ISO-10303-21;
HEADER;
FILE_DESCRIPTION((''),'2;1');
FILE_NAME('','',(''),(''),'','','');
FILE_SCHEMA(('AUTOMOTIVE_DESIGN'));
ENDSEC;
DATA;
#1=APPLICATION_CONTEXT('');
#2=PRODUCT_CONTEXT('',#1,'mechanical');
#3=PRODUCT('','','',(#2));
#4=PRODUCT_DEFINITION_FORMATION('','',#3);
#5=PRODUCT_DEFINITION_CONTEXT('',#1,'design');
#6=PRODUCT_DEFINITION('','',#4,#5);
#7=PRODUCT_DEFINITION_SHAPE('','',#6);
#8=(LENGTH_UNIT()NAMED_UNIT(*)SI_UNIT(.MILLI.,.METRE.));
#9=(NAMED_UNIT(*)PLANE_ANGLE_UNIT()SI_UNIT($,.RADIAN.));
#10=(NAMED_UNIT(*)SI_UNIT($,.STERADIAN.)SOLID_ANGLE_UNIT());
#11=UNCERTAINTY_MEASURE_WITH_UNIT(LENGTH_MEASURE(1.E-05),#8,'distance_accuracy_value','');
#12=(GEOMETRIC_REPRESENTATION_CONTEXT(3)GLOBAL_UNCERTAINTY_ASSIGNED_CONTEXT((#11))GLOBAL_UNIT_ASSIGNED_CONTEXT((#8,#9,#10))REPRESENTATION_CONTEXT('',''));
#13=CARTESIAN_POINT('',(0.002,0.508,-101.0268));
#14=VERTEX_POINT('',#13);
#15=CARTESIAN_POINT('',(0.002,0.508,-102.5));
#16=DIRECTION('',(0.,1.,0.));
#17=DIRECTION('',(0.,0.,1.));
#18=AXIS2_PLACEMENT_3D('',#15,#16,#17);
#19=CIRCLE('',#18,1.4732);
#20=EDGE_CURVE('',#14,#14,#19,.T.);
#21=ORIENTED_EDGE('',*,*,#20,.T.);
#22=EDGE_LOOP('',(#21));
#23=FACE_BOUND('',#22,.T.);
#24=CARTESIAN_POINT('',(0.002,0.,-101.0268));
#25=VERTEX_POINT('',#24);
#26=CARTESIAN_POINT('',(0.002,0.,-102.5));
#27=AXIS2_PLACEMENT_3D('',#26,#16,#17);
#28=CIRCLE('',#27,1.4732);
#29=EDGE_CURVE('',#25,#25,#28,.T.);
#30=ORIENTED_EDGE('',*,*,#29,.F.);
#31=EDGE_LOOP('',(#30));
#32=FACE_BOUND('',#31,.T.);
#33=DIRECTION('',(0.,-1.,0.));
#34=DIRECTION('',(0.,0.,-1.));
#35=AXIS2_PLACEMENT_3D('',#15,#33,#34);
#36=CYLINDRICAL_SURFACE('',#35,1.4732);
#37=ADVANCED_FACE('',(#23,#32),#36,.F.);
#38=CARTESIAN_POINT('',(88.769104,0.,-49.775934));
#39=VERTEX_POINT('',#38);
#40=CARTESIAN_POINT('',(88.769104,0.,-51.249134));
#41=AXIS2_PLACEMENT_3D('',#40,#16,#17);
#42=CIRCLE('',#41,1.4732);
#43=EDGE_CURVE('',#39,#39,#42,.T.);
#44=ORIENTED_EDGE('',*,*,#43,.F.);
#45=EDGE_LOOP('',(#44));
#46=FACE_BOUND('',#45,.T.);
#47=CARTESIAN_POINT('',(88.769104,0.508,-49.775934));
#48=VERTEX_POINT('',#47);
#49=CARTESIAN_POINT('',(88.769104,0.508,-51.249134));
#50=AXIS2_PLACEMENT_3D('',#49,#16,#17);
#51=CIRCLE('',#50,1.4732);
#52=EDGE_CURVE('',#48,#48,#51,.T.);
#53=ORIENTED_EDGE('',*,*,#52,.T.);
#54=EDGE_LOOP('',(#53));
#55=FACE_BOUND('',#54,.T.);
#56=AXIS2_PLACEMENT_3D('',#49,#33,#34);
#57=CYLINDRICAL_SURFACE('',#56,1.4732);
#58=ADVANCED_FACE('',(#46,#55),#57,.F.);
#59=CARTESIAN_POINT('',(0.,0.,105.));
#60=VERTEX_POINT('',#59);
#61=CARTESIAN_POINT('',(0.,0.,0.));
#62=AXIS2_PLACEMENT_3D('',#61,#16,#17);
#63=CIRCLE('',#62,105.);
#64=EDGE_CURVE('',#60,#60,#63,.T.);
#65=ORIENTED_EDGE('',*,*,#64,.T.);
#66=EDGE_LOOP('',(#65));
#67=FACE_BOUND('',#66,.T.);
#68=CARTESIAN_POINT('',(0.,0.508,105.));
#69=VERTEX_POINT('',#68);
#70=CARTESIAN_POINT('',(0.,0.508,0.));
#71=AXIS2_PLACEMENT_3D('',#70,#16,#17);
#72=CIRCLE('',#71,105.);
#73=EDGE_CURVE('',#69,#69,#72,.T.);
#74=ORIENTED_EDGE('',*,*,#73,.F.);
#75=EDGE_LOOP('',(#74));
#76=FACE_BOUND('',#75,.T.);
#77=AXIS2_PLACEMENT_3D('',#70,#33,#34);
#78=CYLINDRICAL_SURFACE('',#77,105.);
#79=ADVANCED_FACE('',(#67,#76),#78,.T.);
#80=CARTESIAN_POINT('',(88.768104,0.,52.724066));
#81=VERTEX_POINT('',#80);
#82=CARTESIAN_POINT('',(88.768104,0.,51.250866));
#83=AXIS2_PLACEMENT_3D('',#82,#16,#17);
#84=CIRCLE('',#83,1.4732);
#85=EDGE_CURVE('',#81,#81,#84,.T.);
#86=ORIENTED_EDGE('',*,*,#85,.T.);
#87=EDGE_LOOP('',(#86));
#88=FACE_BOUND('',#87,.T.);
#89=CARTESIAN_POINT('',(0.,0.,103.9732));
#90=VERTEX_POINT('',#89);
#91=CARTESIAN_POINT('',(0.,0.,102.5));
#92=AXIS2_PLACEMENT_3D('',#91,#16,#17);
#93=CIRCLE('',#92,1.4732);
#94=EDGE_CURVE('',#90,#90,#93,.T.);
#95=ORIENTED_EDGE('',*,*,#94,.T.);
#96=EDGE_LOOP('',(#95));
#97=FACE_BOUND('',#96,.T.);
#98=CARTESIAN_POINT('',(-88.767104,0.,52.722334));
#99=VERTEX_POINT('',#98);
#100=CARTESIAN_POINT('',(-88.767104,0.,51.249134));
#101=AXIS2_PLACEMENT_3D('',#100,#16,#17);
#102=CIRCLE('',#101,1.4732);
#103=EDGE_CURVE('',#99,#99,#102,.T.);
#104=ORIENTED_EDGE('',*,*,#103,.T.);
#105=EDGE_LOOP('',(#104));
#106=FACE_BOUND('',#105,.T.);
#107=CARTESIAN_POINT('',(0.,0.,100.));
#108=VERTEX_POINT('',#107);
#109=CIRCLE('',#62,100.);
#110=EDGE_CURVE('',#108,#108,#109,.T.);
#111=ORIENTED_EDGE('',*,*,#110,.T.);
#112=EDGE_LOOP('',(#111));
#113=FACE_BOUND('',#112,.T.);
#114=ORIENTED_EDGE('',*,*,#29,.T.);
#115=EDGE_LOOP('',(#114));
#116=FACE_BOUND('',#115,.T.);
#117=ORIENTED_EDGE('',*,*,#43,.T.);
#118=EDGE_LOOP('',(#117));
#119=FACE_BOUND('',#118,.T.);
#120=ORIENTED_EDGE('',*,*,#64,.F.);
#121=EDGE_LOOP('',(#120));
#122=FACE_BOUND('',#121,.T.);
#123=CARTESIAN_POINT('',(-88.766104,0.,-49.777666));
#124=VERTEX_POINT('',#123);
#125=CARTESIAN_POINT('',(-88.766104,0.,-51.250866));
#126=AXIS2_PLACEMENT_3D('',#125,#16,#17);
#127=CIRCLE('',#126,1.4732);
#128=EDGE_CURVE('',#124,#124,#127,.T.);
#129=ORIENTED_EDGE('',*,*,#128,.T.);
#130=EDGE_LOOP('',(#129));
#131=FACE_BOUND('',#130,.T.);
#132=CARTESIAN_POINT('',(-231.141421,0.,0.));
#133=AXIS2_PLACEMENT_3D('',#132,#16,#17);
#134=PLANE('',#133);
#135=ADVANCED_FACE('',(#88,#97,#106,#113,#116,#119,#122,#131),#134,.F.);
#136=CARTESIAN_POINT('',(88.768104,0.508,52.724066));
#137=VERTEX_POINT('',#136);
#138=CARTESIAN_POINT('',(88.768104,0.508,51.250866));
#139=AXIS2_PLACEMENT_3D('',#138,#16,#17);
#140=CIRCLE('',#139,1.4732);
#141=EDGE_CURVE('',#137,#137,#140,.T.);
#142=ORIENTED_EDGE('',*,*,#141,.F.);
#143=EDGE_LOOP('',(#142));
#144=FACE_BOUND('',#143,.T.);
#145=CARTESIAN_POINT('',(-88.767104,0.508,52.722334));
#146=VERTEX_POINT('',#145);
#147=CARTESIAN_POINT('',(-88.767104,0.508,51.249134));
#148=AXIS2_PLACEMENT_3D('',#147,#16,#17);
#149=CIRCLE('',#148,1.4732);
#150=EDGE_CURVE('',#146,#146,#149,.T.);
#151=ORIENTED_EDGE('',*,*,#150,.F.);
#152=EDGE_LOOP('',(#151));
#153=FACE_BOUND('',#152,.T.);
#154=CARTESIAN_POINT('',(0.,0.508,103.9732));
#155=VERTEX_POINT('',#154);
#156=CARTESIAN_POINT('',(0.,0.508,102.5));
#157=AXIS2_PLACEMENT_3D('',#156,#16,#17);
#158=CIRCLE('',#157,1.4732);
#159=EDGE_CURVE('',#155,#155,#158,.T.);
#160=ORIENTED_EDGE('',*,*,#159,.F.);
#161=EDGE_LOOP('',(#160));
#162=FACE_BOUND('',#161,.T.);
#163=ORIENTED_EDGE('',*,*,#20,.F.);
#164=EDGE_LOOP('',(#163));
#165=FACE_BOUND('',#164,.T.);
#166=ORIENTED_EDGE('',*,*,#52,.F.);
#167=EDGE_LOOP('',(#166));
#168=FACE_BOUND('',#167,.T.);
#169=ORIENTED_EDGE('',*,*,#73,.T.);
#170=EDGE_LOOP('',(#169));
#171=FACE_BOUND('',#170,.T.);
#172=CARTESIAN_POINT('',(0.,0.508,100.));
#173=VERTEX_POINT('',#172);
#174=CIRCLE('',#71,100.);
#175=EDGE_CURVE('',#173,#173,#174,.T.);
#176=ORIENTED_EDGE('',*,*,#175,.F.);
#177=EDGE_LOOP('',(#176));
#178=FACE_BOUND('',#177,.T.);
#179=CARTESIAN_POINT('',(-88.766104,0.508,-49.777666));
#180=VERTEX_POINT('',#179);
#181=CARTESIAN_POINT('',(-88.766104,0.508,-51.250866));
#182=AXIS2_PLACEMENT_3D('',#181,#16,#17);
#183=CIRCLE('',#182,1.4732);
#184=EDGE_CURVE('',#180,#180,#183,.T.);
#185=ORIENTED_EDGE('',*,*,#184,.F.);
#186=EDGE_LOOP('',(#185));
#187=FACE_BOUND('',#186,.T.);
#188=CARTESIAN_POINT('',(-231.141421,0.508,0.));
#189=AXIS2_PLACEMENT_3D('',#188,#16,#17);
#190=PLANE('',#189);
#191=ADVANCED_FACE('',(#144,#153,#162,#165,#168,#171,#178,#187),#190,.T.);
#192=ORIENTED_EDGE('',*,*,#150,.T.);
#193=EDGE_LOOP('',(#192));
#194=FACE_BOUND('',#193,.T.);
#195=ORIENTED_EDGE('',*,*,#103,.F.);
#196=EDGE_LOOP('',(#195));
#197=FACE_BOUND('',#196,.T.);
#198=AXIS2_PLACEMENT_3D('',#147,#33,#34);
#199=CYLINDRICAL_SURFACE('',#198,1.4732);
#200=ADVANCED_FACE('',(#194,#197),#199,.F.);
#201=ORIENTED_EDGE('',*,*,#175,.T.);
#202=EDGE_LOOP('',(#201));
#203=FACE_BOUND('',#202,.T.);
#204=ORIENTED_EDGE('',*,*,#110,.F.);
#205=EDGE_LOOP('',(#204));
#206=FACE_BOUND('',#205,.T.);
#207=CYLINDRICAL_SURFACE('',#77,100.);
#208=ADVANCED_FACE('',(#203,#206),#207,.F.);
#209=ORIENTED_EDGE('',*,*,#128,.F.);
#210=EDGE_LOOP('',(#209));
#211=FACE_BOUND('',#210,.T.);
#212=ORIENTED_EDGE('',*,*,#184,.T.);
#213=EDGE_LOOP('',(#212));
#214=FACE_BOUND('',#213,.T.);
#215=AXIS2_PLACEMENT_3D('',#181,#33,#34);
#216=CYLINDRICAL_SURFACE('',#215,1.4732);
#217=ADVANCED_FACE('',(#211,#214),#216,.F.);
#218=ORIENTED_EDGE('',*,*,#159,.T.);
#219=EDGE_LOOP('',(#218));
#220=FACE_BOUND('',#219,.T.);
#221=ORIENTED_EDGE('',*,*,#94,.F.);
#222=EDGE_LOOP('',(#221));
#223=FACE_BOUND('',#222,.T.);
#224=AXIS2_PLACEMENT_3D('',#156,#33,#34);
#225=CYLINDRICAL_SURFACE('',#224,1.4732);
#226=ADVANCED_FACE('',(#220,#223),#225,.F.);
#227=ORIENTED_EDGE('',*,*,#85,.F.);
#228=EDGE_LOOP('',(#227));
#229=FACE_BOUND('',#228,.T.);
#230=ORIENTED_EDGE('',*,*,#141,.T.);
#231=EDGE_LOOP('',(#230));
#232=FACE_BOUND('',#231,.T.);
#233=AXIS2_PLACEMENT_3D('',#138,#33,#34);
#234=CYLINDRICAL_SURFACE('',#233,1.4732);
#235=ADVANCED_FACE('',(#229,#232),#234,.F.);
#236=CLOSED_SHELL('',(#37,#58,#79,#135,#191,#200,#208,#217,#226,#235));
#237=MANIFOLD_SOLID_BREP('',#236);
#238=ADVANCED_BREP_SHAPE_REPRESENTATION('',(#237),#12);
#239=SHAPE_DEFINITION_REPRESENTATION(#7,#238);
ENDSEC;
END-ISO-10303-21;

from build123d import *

# Parameters (mm, degrees)
SKETCH1_R           = 105
SKETCH1_R_2         = 1.4732
SKETCH1_R_3         = 100
BOSS_EXTRUDE1_DEPTH = 0.508


with BuildPart() as part:
    # Sketch1 → Boss-Extrude1 (new body)
    with BuildSketch(Plane(origin=(0, 0, 0), x_dir=(1, 0, 0), z_dir=(0, 1, 0))):
        with Locations(Location((0, 0, 0), (0, 0, 270))):
            Circle(SKETCH1_R)
        with Locations(Location((88.768103888, -51.250866025, 0), (0, 0, 270))):
            Circle(SKETCH1_R_2, mode=Mode.SUBTRACT)
        with Locations(Location((88.769103888, 51.249133975, 0), (0, 0, 270))):
            Circle(SKETCH1_R_2, mode=Mode.SUBTRACT)
        with Locations(Location((0.002, 102.5, 0), (0, 0, 270))):
            Circle(SKETCH1_R_2, mode=Mode.SUBTRACT)
        with Locations(Location((-88.766103888, 51.250866025, 0), (0, 0, 270))):
            Circle(SKETCH1_R_2, mode=Mode.SUBTRACT)
        with Locations(Location((-88.767103888, -51.249133975, 0), (0, 0, 270))):
            Circle(SKETCH1_R_2, mode=Mode.SUBTRACT)
        with Locations(Location((0, -102.5, 0), (0, 0, 270))):
            Circle(SKETCH1_R_2, mode=Mode.SUBTRACT)
        with Locations(Location((0, 0, 0), (0, 0, 270))):
            Circle(SKETCH1_R_3, mode=Mode.SUBTRACT)
    extrude(amount=BOSS_EXTRUDE1_DEPTH)


solid = part.part
